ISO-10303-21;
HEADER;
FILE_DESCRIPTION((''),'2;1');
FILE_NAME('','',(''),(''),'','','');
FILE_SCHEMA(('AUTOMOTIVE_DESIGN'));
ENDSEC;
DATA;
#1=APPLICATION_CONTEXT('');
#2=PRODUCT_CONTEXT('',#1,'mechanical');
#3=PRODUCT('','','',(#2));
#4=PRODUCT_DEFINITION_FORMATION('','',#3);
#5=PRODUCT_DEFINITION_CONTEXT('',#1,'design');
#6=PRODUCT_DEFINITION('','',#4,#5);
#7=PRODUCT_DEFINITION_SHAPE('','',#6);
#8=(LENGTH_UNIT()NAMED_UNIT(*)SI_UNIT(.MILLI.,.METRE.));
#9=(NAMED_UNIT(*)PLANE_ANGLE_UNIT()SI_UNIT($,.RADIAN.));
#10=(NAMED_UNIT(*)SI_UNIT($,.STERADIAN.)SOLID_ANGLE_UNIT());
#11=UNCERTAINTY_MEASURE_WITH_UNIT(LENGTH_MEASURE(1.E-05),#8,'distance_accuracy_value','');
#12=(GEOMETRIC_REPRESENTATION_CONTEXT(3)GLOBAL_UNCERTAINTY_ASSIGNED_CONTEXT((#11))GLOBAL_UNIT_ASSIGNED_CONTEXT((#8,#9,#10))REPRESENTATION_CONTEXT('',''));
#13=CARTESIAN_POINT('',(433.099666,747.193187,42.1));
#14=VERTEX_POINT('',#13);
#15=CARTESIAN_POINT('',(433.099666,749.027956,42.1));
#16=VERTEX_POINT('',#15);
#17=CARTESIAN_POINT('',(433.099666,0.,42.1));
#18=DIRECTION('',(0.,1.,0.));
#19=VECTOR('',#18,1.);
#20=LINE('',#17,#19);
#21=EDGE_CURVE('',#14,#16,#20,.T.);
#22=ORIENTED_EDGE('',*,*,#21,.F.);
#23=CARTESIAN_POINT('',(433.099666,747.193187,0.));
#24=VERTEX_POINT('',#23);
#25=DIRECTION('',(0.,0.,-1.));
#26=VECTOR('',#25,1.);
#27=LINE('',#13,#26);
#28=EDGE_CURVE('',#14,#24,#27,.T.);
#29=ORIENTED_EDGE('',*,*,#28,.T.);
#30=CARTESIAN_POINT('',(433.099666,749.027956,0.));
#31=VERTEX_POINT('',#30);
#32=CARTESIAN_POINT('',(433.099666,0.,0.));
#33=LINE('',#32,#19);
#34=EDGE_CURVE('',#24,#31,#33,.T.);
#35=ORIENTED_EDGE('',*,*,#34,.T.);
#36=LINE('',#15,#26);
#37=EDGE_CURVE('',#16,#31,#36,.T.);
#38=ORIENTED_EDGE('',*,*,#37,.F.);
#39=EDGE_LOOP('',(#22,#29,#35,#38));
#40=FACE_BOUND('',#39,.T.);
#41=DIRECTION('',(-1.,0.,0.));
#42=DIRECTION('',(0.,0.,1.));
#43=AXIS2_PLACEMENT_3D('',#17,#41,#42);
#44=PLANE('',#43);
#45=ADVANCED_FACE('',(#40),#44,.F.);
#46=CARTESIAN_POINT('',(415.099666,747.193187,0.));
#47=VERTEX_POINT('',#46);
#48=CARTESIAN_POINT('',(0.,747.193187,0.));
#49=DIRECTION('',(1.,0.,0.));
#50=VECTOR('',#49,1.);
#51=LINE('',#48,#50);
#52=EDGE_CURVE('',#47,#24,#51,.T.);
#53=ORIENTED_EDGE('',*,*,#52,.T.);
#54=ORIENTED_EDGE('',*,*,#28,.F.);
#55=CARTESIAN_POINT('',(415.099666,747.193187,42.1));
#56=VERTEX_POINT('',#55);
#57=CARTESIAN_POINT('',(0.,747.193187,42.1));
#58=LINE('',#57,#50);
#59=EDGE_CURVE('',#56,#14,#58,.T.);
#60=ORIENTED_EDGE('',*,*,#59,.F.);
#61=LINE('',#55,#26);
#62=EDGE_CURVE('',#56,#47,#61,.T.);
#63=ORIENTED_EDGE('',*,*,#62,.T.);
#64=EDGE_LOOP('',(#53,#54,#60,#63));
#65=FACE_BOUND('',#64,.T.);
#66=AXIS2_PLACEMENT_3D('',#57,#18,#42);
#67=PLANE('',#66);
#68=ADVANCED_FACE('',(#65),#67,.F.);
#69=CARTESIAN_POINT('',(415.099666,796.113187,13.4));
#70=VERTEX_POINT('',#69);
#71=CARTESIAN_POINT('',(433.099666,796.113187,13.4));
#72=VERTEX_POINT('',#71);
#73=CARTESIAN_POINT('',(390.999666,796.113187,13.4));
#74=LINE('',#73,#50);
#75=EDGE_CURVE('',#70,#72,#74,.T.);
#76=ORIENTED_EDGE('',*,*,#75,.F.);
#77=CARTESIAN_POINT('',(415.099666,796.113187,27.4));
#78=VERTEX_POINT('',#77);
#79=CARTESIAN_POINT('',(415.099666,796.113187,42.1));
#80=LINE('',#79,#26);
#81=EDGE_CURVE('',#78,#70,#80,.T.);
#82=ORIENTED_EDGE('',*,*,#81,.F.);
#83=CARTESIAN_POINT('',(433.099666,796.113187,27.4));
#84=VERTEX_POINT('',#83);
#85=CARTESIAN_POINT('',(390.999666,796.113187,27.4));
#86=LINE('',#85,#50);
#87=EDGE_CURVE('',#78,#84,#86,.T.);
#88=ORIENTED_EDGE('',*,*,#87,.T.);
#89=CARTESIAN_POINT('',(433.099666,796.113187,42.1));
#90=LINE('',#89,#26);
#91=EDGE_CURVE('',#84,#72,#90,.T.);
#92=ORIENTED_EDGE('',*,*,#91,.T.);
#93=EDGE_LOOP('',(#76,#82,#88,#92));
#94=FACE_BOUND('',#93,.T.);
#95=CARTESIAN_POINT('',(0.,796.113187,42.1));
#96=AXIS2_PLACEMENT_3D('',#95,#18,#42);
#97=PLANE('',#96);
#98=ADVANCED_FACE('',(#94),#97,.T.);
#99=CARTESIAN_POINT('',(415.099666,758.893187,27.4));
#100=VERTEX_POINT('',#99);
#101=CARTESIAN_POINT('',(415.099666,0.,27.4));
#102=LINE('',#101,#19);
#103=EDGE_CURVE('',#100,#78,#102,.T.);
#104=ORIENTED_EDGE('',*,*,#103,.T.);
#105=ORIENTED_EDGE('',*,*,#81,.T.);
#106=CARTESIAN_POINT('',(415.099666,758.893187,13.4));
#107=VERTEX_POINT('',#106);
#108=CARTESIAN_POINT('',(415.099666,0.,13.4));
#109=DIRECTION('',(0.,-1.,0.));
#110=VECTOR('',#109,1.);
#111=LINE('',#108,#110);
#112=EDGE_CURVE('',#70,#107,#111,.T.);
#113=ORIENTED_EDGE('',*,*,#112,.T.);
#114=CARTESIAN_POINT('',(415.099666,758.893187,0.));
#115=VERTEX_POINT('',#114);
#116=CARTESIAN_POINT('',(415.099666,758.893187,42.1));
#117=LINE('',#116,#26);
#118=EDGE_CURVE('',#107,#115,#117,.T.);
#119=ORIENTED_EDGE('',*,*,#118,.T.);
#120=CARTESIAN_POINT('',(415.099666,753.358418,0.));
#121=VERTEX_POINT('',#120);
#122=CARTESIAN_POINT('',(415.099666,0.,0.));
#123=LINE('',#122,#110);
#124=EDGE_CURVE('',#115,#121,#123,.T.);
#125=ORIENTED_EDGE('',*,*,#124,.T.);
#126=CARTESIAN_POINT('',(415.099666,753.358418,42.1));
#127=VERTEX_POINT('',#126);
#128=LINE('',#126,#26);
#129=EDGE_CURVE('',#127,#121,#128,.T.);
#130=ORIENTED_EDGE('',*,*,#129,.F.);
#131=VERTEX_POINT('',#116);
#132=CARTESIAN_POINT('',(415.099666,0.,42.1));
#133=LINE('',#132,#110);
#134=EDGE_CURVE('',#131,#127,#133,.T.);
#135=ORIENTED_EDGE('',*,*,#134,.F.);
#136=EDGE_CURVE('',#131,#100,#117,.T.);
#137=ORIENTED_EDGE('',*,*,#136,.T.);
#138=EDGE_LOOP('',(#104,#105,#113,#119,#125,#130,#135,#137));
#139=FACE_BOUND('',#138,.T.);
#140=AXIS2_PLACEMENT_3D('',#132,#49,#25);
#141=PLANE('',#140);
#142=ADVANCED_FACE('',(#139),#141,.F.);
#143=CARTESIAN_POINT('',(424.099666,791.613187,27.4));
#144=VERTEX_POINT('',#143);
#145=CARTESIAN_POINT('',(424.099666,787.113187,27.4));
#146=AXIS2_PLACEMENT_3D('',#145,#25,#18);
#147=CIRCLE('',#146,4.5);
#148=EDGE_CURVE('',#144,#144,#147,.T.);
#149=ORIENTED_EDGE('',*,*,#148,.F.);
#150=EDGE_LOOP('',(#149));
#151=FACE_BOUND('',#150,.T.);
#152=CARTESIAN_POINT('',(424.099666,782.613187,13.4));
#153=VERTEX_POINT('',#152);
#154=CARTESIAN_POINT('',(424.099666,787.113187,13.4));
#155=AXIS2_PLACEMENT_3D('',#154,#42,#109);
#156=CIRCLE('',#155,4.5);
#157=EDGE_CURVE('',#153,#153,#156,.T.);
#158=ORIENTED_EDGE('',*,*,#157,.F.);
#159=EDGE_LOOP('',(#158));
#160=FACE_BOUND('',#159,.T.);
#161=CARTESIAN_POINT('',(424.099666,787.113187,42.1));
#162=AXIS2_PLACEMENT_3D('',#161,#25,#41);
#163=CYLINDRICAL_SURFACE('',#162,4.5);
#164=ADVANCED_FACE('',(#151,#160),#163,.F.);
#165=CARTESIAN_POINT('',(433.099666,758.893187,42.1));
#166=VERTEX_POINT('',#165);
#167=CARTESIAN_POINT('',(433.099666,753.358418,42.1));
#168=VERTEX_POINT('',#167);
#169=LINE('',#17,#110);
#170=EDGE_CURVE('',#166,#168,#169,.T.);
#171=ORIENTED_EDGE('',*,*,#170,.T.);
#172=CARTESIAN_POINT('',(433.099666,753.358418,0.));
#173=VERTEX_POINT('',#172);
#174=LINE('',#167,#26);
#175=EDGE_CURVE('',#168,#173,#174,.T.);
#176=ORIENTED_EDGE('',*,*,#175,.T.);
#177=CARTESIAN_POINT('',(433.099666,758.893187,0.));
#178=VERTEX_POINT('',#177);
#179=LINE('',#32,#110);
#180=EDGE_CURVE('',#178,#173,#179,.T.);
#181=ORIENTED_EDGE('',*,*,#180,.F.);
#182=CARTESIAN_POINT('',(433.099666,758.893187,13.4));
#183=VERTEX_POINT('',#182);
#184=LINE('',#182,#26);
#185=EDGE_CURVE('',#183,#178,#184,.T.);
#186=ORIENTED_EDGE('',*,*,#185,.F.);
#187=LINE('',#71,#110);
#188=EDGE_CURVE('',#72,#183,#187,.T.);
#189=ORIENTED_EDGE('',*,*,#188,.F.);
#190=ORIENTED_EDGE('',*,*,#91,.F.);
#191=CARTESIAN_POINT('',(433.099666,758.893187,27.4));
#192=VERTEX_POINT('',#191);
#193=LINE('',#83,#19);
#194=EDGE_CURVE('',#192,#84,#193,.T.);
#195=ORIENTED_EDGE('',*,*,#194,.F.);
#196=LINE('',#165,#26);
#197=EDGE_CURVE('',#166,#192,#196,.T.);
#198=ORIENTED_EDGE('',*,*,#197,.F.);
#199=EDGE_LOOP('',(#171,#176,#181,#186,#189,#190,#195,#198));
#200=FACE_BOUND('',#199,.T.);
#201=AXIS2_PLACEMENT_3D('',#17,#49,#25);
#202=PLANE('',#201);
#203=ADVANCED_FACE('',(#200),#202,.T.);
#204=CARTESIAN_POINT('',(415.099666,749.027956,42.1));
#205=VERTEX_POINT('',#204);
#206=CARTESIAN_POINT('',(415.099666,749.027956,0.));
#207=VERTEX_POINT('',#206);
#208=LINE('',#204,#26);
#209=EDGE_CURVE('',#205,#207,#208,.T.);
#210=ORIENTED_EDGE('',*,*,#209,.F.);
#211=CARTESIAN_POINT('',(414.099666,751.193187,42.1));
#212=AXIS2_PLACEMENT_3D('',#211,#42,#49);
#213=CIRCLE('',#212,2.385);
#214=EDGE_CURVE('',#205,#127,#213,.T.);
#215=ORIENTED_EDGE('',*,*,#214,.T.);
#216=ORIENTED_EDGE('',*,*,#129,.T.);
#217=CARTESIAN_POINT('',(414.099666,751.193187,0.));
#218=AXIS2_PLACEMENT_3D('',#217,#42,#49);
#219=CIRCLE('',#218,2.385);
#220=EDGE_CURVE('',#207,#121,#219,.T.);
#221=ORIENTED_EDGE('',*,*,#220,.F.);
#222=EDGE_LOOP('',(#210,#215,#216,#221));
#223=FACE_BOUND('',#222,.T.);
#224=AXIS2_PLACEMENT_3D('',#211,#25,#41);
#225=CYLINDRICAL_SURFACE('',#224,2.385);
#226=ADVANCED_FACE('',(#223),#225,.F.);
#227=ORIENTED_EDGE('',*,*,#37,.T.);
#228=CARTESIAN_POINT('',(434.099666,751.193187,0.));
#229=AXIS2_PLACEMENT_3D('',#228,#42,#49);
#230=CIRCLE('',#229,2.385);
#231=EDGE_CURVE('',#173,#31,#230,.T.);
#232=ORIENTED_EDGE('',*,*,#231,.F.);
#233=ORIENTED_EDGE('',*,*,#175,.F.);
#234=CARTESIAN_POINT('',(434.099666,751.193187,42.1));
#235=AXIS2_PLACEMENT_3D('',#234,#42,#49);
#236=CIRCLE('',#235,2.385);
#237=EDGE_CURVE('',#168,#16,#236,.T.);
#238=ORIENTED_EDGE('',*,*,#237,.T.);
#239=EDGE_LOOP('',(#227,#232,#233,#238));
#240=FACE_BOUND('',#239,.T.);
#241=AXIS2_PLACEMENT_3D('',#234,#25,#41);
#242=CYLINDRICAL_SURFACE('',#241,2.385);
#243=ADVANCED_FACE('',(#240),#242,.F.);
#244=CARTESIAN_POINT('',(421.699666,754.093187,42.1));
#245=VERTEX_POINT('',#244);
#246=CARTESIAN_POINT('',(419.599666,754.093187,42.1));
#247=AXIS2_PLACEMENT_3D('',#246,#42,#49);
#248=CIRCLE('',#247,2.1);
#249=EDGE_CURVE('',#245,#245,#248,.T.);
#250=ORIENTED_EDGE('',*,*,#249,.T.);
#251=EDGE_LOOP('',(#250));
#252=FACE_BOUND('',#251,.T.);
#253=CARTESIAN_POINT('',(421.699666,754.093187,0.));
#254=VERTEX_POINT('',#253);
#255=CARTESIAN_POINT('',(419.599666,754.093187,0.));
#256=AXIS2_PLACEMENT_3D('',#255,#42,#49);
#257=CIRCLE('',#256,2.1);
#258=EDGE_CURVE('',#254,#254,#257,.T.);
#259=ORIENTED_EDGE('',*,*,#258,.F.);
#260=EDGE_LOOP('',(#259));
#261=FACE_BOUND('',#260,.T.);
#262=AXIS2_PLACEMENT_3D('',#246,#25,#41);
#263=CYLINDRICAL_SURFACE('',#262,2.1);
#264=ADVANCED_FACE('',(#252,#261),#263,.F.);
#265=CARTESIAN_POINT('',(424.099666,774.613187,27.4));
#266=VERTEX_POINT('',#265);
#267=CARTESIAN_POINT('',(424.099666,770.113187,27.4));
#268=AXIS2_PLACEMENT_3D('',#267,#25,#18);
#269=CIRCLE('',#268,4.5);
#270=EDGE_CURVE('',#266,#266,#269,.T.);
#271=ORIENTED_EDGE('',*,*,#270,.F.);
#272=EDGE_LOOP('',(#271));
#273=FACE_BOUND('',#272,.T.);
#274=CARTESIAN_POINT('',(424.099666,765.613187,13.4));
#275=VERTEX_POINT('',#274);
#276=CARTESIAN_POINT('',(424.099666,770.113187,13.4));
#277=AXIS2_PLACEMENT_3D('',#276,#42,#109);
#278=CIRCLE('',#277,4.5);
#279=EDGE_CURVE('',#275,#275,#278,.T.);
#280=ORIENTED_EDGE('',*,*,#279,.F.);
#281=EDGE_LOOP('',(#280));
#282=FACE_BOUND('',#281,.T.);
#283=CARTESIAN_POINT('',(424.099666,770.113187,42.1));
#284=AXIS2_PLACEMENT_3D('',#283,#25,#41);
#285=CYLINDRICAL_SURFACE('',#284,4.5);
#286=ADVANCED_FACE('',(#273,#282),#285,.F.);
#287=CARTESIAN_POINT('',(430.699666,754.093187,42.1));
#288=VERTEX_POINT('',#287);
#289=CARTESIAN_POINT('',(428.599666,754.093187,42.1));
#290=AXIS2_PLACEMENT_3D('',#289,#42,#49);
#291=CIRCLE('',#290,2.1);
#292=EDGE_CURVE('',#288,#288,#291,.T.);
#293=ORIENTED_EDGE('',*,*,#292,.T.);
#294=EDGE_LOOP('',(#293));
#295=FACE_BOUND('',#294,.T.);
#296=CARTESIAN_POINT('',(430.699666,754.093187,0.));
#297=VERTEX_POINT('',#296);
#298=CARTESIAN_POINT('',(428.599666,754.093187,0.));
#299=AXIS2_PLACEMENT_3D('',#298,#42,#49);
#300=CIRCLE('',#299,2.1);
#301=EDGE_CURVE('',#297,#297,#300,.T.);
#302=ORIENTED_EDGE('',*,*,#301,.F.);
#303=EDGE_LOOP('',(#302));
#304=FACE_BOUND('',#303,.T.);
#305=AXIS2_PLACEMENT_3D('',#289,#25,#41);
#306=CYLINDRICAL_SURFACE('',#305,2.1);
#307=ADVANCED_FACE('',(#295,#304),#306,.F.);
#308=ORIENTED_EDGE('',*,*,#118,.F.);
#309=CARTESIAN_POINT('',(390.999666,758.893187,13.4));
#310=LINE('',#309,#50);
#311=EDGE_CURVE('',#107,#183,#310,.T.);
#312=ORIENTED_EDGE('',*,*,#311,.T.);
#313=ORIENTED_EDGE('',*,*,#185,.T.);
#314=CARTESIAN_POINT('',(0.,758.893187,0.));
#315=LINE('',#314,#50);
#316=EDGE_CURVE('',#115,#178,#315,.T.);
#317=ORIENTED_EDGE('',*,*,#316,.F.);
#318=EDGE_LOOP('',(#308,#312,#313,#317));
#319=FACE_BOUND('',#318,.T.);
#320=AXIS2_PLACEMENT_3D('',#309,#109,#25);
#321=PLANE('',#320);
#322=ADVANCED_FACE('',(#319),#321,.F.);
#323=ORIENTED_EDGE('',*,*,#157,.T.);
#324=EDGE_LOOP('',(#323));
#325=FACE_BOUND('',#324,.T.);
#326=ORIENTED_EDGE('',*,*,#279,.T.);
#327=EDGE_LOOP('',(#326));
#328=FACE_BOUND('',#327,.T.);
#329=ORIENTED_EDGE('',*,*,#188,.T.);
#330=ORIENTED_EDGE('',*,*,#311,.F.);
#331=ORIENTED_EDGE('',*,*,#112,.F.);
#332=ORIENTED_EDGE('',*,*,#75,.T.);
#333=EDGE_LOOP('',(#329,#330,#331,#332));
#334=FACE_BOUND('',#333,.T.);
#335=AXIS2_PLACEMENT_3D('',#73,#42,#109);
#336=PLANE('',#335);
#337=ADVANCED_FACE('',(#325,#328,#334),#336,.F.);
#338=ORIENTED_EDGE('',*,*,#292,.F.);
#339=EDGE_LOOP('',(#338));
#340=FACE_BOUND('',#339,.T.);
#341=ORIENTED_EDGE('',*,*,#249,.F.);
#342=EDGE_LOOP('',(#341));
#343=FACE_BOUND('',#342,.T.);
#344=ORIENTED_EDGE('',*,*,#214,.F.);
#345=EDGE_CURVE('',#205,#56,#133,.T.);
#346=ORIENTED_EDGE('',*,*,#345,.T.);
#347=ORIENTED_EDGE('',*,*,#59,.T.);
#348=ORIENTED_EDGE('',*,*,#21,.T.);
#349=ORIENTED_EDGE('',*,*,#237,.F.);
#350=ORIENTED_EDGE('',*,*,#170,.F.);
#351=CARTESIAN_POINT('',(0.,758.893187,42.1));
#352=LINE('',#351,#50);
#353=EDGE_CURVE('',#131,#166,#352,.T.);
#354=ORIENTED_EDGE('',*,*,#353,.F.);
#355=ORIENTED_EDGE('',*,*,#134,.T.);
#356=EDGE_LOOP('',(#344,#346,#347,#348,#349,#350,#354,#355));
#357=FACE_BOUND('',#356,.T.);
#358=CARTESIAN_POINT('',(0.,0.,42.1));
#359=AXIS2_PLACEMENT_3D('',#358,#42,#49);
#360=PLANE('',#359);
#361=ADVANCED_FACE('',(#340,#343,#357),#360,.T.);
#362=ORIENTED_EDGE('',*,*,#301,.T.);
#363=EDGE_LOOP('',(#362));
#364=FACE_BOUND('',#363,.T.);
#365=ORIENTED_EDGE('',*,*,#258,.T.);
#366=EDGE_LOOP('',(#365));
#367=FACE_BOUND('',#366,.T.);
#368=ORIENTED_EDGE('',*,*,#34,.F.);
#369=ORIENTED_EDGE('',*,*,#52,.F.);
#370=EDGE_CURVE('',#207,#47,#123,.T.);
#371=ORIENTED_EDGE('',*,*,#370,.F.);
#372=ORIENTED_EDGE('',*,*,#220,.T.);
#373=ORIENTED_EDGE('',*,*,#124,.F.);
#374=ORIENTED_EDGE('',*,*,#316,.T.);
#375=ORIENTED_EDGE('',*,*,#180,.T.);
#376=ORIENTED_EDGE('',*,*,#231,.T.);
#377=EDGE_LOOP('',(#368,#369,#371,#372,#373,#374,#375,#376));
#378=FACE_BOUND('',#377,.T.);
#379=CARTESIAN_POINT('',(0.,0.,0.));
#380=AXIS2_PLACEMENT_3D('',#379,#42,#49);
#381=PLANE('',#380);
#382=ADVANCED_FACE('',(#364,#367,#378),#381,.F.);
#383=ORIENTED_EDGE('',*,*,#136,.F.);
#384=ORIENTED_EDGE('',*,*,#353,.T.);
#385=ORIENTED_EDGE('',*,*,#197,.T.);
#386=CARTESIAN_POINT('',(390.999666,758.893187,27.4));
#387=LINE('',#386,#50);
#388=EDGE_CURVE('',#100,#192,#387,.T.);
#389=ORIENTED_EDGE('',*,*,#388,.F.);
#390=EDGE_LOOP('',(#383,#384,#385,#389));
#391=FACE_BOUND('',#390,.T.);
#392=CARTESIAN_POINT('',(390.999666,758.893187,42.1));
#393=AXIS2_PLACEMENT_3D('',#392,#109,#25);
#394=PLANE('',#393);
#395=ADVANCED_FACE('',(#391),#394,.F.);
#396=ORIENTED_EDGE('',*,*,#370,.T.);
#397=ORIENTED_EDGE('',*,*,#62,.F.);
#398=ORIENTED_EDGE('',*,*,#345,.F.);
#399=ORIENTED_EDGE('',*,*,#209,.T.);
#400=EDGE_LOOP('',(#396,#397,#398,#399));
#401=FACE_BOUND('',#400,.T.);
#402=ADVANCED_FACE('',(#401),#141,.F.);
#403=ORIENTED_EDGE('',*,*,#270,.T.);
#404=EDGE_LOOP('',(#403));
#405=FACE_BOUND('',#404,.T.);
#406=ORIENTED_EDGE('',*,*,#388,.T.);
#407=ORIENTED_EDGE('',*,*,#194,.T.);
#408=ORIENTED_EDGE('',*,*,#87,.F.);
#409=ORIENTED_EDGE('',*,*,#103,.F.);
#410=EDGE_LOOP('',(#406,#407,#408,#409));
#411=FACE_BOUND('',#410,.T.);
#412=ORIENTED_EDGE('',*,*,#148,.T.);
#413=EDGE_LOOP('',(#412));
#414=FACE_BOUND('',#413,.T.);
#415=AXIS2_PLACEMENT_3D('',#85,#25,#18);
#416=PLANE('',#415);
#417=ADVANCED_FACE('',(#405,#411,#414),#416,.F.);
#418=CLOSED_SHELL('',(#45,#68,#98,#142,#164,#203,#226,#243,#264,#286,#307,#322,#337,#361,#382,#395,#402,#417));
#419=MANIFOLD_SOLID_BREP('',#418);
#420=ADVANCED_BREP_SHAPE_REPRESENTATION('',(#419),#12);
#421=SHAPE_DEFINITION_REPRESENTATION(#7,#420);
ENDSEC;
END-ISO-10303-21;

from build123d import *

# Parameters (mm, degrees)
SKETCH_6_W          = 18
SKETCH_6_H          = 37.22
SKETCH_6_R          = 4.5
SKETCH_6_R_2        = 2.1
EXTRUDE_2_DEPTH     = 42.1
SKETCH_8_W          = 14.7
SKETCH_8_H          = 37.22
SKETCH_8_W_2        = 13.4
CUT_EXTRUDE_1_DEPTH = 42.1


with BuildPart() as part:
    # 草图6 → 凸台-拉伸2 (new body)
    with BuildSketch(Plane.XY):
        with Locations((424.099665512, 777.503186937)):
            Rectangle(SKETCH_6_W, SKETCH_6_H)
        with Locations((424.099665512, 770.113186937)):
            Circle(SKETCH_6_R, mode=Mode.SUBTRACT)
        with Locations((424.099665512, 787.113186937)):
            Circle(SKETCH_6_R, mode=Mode.SUBTRACT)
        with BuildLine():
            ThreePointArc((433.099665512, 753.358417872), (431.714665512, 751.193186937), (433.099665512, 749.027956002))
            Line((433.099665512, 749.027956002), (433.099665512, 747.193186937))
            Line((433.099665512, 747.193186937), (415.099665512, 747.193186937))
            Line((415.099665512, 747.193186937), (415.099665512, 749.027956002))
            ThreePointArc((415.099665512, 749.027956002), (416.484665512, 751.193186937), (415.099665512, 753.358417872))
            Line((415.099665512, 753.358417872), (415.099665512, 758.893186937))
            Line((415.099665512, 758.893186937), (433.099665512, 758.893186937))
            Line((433.099665512, 758.893186937), (433.099665512, 753.358417872))
        make_face()
        with Locations((428.599665512, 754.093186937)):
            Circle(SKETCH_6_R_2, mode=Mode.SUBTRACT)
        with Locations((419.599665512, 754.093186937)):
            Circle(SKETCH_6_R_2, mode=Mode.SUBTRACT)
    extrude(amount=EXTRUDE_2_DEPTH)

    # 草图8 → 切除-拉伸1 (cut)
    with BuildSketch(Plane(origin=(433.099665512, 0, 0), x_dir=(0, 0, -1), z_dir=(1, 0, 0))):
        with Locations((-34.75, 777.503186937)):
            Rectangle(SKETCH_8_W, SKETCH_8_H)
        with Locations((-6.7, 777.503186937)):
            Rectangle(SKETCH_8_W_2, SKETCH_8_H)
    extrude(amount=-CUT_EXTRUDE_1_DEPTH, mode=Mode.SUBTRACT)


solid = part.part
